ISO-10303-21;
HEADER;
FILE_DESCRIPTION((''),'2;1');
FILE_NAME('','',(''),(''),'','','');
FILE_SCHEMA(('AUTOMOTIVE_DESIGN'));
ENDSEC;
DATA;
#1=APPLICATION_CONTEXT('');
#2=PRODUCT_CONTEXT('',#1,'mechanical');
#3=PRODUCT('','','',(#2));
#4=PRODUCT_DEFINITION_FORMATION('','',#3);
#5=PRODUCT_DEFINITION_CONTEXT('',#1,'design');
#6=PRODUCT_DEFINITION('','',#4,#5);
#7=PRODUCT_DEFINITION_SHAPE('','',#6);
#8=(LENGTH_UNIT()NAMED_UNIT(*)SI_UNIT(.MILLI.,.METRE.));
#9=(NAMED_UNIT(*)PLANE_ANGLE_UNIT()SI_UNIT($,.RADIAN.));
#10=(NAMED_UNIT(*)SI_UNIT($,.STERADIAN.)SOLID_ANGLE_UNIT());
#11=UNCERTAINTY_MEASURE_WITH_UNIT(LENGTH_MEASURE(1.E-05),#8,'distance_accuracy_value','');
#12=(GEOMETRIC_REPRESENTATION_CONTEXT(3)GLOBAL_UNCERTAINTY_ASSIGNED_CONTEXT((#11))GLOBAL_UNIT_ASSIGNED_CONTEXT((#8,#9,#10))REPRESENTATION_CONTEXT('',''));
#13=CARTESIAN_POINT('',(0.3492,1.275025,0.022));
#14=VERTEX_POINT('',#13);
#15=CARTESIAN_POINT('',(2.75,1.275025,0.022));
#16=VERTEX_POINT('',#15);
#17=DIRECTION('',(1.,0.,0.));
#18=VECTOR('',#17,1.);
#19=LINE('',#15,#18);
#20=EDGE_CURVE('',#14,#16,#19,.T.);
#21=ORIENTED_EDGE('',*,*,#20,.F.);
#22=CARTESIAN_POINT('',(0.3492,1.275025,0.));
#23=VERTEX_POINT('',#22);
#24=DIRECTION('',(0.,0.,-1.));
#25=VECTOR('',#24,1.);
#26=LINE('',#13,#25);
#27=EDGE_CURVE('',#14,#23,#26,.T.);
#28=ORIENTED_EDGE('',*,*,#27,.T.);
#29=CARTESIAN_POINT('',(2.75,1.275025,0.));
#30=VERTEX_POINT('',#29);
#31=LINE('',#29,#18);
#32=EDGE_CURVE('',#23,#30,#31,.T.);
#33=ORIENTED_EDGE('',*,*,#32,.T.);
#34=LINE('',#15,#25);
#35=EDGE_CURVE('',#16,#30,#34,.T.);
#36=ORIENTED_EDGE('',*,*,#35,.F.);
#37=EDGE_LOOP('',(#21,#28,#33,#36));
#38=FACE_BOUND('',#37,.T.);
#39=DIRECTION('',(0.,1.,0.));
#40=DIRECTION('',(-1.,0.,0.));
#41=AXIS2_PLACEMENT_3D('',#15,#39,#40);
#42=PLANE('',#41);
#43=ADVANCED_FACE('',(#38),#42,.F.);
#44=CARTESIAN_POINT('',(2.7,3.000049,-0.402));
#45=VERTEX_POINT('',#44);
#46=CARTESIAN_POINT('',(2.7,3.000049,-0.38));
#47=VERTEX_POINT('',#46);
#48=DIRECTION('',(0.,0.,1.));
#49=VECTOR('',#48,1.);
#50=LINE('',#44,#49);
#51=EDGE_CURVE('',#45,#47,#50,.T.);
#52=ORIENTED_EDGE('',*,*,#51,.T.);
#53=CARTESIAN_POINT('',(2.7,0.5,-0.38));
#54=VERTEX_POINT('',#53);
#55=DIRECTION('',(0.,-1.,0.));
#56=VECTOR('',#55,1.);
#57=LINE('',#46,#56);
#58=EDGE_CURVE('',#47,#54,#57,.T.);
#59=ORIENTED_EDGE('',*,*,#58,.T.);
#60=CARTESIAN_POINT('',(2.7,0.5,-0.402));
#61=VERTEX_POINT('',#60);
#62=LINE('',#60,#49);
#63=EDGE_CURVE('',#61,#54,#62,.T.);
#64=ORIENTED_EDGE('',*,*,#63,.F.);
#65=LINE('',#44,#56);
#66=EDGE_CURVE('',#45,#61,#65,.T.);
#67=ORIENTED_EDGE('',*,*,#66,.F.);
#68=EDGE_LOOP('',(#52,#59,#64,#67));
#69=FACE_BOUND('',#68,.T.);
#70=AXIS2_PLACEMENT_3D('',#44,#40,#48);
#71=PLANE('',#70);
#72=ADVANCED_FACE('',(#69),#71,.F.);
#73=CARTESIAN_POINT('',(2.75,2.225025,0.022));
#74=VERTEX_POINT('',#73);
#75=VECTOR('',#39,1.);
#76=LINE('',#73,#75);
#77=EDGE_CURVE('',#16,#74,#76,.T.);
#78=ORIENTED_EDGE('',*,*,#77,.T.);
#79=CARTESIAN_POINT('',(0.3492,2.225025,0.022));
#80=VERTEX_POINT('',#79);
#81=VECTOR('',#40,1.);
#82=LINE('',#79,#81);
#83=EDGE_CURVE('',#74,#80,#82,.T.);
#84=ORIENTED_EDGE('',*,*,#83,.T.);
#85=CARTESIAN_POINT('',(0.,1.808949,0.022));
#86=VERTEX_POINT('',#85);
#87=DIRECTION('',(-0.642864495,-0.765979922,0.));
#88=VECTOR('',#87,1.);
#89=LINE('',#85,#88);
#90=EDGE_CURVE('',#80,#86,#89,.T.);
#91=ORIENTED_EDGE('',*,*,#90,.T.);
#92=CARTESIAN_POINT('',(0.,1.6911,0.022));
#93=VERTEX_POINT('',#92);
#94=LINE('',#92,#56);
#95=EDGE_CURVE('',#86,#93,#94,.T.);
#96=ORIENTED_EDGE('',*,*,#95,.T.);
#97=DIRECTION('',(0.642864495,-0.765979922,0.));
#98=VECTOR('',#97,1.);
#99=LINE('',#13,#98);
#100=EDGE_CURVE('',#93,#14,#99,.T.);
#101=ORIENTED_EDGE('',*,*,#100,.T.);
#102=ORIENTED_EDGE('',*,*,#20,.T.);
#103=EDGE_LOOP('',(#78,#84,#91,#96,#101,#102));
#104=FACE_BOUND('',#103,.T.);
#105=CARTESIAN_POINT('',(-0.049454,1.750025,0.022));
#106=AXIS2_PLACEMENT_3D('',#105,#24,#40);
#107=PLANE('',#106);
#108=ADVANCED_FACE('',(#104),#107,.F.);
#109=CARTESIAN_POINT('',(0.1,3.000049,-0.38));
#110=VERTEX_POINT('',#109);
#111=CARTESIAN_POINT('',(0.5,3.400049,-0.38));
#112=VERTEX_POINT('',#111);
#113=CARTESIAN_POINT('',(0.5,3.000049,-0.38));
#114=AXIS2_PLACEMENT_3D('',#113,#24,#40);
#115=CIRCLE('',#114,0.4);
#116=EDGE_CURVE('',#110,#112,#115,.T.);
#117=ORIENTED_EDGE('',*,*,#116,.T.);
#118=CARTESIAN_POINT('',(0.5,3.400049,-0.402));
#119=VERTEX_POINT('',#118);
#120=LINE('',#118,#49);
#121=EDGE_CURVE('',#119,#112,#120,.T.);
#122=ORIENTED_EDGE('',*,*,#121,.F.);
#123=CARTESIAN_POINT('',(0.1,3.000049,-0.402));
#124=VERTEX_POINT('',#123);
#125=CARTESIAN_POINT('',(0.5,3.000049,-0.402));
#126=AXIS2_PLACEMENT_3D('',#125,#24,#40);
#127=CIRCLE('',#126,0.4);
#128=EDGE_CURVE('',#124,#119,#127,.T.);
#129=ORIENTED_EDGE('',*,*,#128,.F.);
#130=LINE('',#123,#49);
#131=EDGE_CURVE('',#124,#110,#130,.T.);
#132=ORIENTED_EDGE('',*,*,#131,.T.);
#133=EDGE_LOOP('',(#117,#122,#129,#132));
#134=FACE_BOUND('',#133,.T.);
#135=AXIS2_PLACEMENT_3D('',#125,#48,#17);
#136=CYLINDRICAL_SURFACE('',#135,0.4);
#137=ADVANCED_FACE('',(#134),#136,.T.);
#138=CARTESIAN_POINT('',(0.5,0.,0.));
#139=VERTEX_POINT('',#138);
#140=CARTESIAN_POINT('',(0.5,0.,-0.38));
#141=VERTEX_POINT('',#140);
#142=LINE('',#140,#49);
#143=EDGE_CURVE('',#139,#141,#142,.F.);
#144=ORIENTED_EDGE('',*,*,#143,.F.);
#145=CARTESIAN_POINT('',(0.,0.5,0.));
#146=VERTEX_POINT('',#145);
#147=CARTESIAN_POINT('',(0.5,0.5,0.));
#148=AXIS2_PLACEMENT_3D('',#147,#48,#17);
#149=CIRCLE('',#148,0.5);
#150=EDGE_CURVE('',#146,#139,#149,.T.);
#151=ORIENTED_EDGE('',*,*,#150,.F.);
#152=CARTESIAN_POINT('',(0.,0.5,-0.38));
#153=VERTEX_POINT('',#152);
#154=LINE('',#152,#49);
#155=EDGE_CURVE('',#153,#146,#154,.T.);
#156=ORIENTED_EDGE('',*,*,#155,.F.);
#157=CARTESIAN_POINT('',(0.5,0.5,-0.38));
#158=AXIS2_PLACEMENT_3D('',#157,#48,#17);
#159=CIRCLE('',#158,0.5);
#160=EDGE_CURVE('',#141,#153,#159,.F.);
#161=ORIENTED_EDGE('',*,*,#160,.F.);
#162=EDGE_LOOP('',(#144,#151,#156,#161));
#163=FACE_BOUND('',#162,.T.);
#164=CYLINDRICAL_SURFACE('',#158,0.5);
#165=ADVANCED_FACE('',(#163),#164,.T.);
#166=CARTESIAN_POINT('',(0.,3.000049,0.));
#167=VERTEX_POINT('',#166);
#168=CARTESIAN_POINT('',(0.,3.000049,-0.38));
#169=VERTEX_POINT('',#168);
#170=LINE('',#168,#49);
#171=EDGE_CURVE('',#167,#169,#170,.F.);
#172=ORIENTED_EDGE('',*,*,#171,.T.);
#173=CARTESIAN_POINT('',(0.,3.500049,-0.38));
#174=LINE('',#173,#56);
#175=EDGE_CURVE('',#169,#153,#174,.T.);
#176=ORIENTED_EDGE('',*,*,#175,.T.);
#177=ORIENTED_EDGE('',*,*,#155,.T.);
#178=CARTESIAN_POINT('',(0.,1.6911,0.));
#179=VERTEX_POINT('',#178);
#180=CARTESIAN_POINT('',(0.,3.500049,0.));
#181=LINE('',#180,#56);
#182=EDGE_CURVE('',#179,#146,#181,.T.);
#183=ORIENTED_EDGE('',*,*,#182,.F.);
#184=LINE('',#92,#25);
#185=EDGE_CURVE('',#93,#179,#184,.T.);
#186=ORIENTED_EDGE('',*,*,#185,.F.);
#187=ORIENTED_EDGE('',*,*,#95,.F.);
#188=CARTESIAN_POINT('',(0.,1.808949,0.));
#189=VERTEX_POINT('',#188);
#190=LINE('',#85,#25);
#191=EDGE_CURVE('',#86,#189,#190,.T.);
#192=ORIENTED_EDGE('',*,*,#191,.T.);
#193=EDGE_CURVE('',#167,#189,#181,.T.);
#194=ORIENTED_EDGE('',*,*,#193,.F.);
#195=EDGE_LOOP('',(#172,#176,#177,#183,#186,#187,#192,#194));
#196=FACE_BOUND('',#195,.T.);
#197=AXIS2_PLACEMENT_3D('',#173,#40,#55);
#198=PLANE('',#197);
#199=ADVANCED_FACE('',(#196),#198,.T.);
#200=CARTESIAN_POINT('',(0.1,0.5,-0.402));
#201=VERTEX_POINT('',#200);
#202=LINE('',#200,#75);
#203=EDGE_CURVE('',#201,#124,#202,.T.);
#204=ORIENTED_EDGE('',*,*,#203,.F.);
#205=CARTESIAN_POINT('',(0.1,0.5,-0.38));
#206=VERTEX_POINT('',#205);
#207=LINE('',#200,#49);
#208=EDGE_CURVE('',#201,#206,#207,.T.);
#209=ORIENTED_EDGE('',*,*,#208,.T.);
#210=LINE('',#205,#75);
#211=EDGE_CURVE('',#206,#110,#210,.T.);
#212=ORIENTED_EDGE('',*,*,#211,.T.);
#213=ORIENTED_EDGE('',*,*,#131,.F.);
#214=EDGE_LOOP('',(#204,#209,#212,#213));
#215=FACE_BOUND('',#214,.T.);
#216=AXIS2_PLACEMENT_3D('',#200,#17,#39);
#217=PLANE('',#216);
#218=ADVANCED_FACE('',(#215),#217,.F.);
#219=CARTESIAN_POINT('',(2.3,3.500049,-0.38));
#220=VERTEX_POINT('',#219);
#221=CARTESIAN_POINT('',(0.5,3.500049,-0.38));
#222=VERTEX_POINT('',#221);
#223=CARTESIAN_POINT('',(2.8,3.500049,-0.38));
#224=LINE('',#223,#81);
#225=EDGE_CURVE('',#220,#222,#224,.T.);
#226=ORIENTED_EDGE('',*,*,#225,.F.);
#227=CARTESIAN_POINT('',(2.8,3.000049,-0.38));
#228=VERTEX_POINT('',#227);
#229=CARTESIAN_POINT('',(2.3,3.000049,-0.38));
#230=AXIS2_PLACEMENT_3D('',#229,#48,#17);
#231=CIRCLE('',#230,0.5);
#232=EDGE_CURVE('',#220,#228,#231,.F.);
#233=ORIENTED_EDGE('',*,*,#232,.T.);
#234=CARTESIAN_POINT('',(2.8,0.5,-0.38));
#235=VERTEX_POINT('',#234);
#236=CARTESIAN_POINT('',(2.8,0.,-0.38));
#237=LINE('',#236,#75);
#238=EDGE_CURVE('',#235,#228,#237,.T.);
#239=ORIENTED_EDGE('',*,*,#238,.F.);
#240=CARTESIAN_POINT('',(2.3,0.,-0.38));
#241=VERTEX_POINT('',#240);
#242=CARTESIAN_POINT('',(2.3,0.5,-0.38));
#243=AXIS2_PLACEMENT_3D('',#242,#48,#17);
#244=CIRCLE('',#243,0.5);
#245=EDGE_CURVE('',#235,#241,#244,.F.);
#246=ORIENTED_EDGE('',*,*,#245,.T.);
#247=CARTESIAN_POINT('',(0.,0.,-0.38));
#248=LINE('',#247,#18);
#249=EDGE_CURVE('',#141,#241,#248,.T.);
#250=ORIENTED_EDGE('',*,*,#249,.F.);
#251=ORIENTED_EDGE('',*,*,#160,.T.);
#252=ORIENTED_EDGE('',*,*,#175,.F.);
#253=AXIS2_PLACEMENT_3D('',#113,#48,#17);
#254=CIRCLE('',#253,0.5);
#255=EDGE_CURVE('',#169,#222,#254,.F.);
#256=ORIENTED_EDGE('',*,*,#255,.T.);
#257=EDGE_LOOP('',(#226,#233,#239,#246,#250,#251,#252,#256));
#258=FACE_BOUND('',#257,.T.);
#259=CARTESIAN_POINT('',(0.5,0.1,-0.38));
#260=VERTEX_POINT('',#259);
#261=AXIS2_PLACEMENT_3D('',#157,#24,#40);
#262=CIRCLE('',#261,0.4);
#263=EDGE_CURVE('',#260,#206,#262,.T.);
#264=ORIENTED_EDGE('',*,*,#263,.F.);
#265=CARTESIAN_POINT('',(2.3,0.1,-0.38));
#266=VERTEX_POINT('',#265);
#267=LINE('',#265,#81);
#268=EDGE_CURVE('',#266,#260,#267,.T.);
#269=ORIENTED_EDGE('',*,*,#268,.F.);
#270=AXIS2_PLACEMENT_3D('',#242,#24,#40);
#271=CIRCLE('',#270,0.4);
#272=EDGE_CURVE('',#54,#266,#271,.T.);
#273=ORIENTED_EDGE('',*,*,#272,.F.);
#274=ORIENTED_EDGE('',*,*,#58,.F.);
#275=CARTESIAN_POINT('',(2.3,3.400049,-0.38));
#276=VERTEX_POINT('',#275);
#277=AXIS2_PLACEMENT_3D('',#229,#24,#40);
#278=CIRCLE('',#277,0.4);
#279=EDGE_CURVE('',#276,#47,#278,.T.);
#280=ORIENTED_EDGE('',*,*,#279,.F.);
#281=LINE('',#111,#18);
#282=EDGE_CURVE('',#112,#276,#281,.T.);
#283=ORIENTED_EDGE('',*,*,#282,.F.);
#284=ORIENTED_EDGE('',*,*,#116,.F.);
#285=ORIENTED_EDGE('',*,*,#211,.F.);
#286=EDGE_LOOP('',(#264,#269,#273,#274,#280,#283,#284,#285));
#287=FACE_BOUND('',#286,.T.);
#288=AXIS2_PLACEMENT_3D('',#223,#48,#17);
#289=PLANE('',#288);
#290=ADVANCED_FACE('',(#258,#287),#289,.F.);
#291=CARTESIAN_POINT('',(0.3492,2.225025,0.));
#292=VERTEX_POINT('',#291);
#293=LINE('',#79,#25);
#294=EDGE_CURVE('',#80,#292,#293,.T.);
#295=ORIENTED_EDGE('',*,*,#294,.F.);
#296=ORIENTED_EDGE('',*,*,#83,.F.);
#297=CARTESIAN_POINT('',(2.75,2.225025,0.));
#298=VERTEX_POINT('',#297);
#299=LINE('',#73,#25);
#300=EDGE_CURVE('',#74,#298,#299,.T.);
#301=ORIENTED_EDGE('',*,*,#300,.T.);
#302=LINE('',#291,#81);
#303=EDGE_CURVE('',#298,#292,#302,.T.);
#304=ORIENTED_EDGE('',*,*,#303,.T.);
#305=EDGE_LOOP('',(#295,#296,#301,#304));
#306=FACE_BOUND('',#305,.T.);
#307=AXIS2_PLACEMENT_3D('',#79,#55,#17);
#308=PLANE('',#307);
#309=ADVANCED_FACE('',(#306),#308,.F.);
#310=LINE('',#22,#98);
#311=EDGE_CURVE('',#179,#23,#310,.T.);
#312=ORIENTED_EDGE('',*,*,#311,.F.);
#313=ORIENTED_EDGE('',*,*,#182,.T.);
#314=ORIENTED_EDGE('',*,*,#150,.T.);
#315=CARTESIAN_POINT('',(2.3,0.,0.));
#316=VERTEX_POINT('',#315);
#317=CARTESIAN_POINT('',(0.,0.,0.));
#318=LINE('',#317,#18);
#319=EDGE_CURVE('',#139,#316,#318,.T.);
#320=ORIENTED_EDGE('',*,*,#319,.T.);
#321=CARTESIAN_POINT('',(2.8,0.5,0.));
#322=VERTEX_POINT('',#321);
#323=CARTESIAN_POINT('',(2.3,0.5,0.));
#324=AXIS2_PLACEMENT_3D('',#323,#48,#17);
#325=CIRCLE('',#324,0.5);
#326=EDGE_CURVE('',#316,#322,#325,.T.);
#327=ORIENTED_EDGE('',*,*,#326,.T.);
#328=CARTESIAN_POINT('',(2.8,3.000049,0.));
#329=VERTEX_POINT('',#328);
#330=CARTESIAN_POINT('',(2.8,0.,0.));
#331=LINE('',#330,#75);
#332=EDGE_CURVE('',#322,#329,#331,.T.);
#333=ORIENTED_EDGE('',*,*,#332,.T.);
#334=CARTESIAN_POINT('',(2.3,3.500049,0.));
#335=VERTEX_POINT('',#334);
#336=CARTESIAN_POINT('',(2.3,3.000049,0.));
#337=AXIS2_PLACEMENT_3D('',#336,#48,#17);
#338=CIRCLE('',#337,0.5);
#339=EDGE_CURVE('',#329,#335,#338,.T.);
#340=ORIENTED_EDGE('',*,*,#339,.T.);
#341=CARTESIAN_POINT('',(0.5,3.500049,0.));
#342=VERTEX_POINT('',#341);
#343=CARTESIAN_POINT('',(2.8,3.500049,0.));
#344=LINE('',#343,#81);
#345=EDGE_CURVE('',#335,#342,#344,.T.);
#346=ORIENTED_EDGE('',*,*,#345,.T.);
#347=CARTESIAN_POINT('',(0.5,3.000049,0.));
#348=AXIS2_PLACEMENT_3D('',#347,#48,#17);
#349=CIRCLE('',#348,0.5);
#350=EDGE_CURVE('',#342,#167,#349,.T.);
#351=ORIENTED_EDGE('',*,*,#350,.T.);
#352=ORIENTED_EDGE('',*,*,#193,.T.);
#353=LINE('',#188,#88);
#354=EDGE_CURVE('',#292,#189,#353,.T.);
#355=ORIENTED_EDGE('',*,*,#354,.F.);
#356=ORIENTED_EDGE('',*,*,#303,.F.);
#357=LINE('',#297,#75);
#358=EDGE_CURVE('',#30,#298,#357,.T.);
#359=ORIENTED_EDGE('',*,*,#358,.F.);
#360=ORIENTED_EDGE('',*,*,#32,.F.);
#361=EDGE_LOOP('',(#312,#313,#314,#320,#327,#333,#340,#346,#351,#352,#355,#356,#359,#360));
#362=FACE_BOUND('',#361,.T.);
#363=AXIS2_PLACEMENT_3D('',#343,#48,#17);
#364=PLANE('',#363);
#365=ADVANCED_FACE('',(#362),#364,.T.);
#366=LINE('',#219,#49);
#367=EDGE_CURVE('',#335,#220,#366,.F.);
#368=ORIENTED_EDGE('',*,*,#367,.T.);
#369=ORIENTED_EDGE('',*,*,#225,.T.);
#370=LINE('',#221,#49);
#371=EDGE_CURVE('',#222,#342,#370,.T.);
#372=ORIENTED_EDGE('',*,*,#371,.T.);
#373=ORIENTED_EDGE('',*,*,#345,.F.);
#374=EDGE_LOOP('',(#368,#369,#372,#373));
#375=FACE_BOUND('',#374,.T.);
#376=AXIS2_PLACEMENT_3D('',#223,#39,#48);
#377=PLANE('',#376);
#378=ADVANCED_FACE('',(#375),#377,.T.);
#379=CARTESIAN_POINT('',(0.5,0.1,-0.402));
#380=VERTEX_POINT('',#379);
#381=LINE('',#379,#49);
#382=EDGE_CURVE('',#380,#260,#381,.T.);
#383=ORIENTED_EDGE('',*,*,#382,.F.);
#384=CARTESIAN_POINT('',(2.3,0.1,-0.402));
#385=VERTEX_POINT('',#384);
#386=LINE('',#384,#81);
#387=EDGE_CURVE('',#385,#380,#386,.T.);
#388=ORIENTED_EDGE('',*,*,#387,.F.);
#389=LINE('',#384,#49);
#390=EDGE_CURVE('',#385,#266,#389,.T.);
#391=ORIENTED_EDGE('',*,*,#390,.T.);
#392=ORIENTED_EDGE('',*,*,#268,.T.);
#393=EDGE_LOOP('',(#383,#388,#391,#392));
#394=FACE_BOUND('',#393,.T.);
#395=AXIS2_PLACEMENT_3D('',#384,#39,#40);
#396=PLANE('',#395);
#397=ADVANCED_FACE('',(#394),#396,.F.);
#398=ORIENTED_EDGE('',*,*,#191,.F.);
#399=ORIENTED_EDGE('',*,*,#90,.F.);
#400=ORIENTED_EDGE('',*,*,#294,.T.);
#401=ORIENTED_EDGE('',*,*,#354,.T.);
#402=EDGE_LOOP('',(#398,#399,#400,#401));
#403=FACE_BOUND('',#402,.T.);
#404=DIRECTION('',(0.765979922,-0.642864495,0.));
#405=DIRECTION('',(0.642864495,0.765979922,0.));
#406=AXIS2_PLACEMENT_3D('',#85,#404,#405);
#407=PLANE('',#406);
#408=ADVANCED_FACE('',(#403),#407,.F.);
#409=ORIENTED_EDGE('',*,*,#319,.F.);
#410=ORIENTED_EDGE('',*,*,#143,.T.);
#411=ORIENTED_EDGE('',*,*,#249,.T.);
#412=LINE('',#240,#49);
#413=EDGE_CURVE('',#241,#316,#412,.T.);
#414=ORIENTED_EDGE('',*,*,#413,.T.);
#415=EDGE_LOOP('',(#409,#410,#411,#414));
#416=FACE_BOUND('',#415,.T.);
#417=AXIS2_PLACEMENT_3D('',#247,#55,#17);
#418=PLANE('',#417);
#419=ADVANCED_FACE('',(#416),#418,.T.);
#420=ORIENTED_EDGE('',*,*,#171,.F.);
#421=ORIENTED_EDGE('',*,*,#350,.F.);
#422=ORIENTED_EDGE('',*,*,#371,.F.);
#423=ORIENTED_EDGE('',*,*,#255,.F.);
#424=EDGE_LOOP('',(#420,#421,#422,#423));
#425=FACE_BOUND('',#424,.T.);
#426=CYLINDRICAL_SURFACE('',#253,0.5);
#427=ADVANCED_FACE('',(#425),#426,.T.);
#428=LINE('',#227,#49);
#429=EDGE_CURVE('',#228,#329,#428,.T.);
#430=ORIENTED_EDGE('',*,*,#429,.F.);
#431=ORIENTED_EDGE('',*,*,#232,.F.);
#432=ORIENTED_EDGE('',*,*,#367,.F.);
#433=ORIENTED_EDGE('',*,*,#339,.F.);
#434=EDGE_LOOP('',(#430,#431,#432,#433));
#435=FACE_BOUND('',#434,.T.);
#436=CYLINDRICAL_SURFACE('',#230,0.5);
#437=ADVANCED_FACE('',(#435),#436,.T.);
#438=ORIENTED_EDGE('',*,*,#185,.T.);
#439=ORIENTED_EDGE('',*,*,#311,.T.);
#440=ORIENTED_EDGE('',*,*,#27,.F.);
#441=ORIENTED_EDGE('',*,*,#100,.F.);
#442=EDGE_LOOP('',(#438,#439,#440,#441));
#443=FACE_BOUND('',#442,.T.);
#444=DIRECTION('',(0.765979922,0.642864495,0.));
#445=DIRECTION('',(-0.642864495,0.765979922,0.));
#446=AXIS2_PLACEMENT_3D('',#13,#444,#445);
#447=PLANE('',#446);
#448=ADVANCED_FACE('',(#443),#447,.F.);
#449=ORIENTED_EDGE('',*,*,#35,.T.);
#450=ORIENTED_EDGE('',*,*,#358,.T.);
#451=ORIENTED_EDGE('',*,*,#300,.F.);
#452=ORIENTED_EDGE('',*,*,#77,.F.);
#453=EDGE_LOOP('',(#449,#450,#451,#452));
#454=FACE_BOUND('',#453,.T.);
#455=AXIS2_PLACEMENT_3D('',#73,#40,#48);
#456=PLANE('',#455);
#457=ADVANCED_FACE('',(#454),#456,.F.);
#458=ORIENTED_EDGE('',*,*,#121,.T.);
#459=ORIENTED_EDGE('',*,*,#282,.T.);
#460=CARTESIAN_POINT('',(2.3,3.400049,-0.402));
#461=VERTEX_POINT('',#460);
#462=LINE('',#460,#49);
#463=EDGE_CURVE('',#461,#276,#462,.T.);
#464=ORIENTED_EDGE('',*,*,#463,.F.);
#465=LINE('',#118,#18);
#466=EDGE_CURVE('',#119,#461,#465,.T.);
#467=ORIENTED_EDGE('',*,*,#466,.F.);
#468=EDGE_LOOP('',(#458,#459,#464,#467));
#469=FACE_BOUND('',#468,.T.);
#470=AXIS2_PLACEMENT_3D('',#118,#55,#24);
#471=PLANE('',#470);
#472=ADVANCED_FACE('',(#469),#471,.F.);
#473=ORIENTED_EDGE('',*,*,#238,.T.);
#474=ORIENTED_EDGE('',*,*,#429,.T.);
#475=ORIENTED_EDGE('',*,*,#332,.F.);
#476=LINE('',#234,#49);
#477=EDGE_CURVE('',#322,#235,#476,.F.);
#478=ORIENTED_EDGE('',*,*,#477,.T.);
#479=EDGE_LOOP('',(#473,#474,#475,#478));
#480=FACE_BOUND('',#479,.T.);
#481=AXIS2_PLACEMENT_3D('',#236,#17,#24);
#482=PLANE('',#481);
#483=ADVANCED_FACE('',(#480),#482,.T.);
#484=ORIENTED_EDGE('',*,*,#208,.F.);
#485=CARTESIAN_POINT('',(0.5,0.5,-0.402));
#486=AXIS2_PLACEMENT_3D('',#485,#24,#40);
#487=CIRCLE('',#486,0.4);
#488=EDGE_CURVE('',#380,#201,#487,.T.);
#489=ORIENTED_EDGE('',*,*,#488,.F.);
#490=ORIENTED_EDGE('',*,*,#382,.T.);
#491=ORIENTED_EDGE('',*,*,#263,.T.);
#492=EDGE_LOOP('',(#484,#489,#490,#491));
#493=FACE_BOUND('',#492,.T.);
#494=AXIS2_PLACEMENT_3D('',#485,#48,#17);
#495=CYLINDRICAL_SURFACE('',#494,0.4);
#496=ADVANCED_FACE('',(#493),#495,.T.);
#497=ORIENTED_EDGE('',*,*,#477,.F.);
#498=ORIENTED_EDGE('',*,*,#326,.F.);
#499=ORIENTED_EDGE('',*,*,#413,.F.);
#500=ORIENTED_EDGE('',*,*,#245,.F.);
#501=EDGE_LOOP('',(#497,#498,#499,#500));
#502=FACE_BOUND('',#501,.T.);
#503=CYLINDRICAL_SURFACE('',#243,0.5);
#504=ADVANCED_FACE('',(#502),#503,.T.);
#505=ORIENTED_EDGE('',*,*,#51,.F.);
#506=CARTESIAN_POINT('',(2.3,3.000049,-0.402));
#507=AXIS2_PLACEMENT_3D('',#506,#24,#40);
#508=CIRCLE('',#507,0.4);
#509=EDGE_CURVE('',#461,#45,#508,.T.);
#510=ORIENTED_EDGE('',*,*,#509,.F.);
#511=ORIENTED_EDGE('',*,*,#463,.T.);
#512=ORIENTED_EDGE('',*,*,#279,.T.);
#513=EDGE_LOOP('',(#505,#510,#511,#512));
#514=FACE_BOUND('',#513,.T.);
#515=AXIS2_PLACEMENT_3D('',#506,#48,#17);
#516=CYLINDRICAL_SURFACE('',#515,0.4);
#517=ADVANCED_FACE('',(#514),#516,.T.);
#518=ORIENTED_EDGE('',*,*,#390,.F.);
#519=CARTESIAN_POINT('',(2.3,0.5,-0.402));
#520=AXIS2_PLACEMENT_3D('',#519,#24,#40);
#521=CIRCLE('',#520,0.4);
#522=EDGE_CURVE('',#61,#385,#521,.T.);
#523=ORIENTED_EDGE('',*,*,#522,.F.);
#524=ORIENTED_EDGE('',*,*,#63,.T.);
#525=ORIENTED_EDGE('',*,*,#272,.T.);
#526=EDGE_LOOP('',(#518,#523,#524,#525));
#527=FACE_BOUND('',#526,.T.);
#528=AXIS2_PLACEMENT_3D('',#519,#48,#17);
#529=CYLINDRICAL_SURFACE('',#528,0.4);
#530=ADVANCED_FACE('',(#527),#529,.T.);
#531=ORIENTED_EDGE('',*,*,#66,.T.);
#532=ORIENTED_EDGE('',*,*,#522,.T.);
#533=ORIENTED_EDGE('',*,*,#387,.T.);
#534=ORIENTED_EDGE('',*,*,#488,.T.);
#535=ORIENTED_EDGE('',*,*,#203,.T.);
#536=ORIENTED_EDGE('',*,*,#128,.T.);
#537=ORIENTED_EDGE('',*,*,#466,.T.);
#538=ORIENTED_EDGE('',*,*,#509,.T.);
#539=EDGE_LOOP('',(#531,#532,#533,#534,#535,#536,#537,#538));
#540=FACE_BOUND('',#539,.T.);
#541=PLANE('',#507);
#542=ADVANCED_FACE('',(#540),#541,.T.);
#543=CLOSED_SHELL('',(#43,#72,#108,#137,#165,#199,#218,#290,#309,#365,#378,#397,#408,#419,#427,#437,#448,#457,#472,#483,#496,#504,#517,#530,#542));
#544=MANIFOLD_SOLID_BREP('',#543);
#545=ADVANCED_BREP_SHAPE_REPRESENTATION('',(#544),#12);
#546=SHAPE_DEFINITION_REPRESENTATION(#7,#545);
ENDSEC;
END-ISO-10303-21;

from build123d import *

# Parameters (mm, degrees)
SKETCH1_W           = 2.8
SKETCH1_H           = 3.500049162
BOSS_EXTRUDE1_DEPTH = 0.38
FILLET1_R           = 0.5
BOSS_EXTRUDE2_DEPTH = 0.022
BOSS_EXTRUDE3_DEPTH = 0.022


with BuildPart() as part:
    # Sketch1 → Boss-Extrude1 (new body)
    with BuildSketch(Plane.XY):
        with Locations((1.4, 1.750024557)):
            Rectangle(SKETCH1_W, SKETCH1_H)
    extrude(amount=-BOSS_EXTRUDE1_DEPTH)

    # Fillet1
    fillet1_edges = [part.edges().sort_by_distance(p)[0] for p in [
        (2.8, -2.4e-08, -0.19),
        (0, -2.4e-08, -0.19),
        (0, 3.500049138, -0.19),
        (2.8, 3.500049138, -0.19),
    ]]
    fillet(fillet1_edges, radius=FILLET1_R)

    # Sketch2 → Boss-Extrude2 (add)
    with BuildSketch(Plane.XY):
        Polygon((0, 1.691100092), (0, 1.808949022), (0.3492, 2.225024557), (2.75, 2.225024557), (2.75, 1.275024557), (0.3492, 1.275024557), align=None)
    extrude(amount=BOSS_EXTRUDE2_DEPTH)

    # Sketch3 → Boss-Extrude3 (add)
    with BuildSketch(Plane(origin=(0, 0, -0.38), x_dir=(-1, 0, 0), z_dir=(0, 0, -1))):
        with BuildLine():
            Line((-2.7, 3.000049138), (-2.7, 0.499999976))
            ThreePointArc((-2.7, 0.499999976), (-2.582842712, 0.217157263), (-2.3, 0.099999976))
            Line((-2.3, 0.099999976), (-0.5, 0.099999976))
            ThreePointArc((-0.5, 0.099999976), (-0.217157288, 0.217157263), (-0.1, 0.499999976))
            Line((-0.1, 0.499999976), (-0.1, 3.000049138))
            ThreePointArc((-0.1, 3.000049138), (-0.217157288, 3.282891851), (-0.5, 3.400049138))
            Line((-0.5, 3.400049138), (-2.3, 3.400049138))
            ThreePointArc((-2.3, 3.400049138), (-2.582842712, 3.282891851), (-2.7, 3.000049138))
        make_face()
    extrude(amount=BOSS_EXTRUDE3_DEPTH)


solid = part.part
